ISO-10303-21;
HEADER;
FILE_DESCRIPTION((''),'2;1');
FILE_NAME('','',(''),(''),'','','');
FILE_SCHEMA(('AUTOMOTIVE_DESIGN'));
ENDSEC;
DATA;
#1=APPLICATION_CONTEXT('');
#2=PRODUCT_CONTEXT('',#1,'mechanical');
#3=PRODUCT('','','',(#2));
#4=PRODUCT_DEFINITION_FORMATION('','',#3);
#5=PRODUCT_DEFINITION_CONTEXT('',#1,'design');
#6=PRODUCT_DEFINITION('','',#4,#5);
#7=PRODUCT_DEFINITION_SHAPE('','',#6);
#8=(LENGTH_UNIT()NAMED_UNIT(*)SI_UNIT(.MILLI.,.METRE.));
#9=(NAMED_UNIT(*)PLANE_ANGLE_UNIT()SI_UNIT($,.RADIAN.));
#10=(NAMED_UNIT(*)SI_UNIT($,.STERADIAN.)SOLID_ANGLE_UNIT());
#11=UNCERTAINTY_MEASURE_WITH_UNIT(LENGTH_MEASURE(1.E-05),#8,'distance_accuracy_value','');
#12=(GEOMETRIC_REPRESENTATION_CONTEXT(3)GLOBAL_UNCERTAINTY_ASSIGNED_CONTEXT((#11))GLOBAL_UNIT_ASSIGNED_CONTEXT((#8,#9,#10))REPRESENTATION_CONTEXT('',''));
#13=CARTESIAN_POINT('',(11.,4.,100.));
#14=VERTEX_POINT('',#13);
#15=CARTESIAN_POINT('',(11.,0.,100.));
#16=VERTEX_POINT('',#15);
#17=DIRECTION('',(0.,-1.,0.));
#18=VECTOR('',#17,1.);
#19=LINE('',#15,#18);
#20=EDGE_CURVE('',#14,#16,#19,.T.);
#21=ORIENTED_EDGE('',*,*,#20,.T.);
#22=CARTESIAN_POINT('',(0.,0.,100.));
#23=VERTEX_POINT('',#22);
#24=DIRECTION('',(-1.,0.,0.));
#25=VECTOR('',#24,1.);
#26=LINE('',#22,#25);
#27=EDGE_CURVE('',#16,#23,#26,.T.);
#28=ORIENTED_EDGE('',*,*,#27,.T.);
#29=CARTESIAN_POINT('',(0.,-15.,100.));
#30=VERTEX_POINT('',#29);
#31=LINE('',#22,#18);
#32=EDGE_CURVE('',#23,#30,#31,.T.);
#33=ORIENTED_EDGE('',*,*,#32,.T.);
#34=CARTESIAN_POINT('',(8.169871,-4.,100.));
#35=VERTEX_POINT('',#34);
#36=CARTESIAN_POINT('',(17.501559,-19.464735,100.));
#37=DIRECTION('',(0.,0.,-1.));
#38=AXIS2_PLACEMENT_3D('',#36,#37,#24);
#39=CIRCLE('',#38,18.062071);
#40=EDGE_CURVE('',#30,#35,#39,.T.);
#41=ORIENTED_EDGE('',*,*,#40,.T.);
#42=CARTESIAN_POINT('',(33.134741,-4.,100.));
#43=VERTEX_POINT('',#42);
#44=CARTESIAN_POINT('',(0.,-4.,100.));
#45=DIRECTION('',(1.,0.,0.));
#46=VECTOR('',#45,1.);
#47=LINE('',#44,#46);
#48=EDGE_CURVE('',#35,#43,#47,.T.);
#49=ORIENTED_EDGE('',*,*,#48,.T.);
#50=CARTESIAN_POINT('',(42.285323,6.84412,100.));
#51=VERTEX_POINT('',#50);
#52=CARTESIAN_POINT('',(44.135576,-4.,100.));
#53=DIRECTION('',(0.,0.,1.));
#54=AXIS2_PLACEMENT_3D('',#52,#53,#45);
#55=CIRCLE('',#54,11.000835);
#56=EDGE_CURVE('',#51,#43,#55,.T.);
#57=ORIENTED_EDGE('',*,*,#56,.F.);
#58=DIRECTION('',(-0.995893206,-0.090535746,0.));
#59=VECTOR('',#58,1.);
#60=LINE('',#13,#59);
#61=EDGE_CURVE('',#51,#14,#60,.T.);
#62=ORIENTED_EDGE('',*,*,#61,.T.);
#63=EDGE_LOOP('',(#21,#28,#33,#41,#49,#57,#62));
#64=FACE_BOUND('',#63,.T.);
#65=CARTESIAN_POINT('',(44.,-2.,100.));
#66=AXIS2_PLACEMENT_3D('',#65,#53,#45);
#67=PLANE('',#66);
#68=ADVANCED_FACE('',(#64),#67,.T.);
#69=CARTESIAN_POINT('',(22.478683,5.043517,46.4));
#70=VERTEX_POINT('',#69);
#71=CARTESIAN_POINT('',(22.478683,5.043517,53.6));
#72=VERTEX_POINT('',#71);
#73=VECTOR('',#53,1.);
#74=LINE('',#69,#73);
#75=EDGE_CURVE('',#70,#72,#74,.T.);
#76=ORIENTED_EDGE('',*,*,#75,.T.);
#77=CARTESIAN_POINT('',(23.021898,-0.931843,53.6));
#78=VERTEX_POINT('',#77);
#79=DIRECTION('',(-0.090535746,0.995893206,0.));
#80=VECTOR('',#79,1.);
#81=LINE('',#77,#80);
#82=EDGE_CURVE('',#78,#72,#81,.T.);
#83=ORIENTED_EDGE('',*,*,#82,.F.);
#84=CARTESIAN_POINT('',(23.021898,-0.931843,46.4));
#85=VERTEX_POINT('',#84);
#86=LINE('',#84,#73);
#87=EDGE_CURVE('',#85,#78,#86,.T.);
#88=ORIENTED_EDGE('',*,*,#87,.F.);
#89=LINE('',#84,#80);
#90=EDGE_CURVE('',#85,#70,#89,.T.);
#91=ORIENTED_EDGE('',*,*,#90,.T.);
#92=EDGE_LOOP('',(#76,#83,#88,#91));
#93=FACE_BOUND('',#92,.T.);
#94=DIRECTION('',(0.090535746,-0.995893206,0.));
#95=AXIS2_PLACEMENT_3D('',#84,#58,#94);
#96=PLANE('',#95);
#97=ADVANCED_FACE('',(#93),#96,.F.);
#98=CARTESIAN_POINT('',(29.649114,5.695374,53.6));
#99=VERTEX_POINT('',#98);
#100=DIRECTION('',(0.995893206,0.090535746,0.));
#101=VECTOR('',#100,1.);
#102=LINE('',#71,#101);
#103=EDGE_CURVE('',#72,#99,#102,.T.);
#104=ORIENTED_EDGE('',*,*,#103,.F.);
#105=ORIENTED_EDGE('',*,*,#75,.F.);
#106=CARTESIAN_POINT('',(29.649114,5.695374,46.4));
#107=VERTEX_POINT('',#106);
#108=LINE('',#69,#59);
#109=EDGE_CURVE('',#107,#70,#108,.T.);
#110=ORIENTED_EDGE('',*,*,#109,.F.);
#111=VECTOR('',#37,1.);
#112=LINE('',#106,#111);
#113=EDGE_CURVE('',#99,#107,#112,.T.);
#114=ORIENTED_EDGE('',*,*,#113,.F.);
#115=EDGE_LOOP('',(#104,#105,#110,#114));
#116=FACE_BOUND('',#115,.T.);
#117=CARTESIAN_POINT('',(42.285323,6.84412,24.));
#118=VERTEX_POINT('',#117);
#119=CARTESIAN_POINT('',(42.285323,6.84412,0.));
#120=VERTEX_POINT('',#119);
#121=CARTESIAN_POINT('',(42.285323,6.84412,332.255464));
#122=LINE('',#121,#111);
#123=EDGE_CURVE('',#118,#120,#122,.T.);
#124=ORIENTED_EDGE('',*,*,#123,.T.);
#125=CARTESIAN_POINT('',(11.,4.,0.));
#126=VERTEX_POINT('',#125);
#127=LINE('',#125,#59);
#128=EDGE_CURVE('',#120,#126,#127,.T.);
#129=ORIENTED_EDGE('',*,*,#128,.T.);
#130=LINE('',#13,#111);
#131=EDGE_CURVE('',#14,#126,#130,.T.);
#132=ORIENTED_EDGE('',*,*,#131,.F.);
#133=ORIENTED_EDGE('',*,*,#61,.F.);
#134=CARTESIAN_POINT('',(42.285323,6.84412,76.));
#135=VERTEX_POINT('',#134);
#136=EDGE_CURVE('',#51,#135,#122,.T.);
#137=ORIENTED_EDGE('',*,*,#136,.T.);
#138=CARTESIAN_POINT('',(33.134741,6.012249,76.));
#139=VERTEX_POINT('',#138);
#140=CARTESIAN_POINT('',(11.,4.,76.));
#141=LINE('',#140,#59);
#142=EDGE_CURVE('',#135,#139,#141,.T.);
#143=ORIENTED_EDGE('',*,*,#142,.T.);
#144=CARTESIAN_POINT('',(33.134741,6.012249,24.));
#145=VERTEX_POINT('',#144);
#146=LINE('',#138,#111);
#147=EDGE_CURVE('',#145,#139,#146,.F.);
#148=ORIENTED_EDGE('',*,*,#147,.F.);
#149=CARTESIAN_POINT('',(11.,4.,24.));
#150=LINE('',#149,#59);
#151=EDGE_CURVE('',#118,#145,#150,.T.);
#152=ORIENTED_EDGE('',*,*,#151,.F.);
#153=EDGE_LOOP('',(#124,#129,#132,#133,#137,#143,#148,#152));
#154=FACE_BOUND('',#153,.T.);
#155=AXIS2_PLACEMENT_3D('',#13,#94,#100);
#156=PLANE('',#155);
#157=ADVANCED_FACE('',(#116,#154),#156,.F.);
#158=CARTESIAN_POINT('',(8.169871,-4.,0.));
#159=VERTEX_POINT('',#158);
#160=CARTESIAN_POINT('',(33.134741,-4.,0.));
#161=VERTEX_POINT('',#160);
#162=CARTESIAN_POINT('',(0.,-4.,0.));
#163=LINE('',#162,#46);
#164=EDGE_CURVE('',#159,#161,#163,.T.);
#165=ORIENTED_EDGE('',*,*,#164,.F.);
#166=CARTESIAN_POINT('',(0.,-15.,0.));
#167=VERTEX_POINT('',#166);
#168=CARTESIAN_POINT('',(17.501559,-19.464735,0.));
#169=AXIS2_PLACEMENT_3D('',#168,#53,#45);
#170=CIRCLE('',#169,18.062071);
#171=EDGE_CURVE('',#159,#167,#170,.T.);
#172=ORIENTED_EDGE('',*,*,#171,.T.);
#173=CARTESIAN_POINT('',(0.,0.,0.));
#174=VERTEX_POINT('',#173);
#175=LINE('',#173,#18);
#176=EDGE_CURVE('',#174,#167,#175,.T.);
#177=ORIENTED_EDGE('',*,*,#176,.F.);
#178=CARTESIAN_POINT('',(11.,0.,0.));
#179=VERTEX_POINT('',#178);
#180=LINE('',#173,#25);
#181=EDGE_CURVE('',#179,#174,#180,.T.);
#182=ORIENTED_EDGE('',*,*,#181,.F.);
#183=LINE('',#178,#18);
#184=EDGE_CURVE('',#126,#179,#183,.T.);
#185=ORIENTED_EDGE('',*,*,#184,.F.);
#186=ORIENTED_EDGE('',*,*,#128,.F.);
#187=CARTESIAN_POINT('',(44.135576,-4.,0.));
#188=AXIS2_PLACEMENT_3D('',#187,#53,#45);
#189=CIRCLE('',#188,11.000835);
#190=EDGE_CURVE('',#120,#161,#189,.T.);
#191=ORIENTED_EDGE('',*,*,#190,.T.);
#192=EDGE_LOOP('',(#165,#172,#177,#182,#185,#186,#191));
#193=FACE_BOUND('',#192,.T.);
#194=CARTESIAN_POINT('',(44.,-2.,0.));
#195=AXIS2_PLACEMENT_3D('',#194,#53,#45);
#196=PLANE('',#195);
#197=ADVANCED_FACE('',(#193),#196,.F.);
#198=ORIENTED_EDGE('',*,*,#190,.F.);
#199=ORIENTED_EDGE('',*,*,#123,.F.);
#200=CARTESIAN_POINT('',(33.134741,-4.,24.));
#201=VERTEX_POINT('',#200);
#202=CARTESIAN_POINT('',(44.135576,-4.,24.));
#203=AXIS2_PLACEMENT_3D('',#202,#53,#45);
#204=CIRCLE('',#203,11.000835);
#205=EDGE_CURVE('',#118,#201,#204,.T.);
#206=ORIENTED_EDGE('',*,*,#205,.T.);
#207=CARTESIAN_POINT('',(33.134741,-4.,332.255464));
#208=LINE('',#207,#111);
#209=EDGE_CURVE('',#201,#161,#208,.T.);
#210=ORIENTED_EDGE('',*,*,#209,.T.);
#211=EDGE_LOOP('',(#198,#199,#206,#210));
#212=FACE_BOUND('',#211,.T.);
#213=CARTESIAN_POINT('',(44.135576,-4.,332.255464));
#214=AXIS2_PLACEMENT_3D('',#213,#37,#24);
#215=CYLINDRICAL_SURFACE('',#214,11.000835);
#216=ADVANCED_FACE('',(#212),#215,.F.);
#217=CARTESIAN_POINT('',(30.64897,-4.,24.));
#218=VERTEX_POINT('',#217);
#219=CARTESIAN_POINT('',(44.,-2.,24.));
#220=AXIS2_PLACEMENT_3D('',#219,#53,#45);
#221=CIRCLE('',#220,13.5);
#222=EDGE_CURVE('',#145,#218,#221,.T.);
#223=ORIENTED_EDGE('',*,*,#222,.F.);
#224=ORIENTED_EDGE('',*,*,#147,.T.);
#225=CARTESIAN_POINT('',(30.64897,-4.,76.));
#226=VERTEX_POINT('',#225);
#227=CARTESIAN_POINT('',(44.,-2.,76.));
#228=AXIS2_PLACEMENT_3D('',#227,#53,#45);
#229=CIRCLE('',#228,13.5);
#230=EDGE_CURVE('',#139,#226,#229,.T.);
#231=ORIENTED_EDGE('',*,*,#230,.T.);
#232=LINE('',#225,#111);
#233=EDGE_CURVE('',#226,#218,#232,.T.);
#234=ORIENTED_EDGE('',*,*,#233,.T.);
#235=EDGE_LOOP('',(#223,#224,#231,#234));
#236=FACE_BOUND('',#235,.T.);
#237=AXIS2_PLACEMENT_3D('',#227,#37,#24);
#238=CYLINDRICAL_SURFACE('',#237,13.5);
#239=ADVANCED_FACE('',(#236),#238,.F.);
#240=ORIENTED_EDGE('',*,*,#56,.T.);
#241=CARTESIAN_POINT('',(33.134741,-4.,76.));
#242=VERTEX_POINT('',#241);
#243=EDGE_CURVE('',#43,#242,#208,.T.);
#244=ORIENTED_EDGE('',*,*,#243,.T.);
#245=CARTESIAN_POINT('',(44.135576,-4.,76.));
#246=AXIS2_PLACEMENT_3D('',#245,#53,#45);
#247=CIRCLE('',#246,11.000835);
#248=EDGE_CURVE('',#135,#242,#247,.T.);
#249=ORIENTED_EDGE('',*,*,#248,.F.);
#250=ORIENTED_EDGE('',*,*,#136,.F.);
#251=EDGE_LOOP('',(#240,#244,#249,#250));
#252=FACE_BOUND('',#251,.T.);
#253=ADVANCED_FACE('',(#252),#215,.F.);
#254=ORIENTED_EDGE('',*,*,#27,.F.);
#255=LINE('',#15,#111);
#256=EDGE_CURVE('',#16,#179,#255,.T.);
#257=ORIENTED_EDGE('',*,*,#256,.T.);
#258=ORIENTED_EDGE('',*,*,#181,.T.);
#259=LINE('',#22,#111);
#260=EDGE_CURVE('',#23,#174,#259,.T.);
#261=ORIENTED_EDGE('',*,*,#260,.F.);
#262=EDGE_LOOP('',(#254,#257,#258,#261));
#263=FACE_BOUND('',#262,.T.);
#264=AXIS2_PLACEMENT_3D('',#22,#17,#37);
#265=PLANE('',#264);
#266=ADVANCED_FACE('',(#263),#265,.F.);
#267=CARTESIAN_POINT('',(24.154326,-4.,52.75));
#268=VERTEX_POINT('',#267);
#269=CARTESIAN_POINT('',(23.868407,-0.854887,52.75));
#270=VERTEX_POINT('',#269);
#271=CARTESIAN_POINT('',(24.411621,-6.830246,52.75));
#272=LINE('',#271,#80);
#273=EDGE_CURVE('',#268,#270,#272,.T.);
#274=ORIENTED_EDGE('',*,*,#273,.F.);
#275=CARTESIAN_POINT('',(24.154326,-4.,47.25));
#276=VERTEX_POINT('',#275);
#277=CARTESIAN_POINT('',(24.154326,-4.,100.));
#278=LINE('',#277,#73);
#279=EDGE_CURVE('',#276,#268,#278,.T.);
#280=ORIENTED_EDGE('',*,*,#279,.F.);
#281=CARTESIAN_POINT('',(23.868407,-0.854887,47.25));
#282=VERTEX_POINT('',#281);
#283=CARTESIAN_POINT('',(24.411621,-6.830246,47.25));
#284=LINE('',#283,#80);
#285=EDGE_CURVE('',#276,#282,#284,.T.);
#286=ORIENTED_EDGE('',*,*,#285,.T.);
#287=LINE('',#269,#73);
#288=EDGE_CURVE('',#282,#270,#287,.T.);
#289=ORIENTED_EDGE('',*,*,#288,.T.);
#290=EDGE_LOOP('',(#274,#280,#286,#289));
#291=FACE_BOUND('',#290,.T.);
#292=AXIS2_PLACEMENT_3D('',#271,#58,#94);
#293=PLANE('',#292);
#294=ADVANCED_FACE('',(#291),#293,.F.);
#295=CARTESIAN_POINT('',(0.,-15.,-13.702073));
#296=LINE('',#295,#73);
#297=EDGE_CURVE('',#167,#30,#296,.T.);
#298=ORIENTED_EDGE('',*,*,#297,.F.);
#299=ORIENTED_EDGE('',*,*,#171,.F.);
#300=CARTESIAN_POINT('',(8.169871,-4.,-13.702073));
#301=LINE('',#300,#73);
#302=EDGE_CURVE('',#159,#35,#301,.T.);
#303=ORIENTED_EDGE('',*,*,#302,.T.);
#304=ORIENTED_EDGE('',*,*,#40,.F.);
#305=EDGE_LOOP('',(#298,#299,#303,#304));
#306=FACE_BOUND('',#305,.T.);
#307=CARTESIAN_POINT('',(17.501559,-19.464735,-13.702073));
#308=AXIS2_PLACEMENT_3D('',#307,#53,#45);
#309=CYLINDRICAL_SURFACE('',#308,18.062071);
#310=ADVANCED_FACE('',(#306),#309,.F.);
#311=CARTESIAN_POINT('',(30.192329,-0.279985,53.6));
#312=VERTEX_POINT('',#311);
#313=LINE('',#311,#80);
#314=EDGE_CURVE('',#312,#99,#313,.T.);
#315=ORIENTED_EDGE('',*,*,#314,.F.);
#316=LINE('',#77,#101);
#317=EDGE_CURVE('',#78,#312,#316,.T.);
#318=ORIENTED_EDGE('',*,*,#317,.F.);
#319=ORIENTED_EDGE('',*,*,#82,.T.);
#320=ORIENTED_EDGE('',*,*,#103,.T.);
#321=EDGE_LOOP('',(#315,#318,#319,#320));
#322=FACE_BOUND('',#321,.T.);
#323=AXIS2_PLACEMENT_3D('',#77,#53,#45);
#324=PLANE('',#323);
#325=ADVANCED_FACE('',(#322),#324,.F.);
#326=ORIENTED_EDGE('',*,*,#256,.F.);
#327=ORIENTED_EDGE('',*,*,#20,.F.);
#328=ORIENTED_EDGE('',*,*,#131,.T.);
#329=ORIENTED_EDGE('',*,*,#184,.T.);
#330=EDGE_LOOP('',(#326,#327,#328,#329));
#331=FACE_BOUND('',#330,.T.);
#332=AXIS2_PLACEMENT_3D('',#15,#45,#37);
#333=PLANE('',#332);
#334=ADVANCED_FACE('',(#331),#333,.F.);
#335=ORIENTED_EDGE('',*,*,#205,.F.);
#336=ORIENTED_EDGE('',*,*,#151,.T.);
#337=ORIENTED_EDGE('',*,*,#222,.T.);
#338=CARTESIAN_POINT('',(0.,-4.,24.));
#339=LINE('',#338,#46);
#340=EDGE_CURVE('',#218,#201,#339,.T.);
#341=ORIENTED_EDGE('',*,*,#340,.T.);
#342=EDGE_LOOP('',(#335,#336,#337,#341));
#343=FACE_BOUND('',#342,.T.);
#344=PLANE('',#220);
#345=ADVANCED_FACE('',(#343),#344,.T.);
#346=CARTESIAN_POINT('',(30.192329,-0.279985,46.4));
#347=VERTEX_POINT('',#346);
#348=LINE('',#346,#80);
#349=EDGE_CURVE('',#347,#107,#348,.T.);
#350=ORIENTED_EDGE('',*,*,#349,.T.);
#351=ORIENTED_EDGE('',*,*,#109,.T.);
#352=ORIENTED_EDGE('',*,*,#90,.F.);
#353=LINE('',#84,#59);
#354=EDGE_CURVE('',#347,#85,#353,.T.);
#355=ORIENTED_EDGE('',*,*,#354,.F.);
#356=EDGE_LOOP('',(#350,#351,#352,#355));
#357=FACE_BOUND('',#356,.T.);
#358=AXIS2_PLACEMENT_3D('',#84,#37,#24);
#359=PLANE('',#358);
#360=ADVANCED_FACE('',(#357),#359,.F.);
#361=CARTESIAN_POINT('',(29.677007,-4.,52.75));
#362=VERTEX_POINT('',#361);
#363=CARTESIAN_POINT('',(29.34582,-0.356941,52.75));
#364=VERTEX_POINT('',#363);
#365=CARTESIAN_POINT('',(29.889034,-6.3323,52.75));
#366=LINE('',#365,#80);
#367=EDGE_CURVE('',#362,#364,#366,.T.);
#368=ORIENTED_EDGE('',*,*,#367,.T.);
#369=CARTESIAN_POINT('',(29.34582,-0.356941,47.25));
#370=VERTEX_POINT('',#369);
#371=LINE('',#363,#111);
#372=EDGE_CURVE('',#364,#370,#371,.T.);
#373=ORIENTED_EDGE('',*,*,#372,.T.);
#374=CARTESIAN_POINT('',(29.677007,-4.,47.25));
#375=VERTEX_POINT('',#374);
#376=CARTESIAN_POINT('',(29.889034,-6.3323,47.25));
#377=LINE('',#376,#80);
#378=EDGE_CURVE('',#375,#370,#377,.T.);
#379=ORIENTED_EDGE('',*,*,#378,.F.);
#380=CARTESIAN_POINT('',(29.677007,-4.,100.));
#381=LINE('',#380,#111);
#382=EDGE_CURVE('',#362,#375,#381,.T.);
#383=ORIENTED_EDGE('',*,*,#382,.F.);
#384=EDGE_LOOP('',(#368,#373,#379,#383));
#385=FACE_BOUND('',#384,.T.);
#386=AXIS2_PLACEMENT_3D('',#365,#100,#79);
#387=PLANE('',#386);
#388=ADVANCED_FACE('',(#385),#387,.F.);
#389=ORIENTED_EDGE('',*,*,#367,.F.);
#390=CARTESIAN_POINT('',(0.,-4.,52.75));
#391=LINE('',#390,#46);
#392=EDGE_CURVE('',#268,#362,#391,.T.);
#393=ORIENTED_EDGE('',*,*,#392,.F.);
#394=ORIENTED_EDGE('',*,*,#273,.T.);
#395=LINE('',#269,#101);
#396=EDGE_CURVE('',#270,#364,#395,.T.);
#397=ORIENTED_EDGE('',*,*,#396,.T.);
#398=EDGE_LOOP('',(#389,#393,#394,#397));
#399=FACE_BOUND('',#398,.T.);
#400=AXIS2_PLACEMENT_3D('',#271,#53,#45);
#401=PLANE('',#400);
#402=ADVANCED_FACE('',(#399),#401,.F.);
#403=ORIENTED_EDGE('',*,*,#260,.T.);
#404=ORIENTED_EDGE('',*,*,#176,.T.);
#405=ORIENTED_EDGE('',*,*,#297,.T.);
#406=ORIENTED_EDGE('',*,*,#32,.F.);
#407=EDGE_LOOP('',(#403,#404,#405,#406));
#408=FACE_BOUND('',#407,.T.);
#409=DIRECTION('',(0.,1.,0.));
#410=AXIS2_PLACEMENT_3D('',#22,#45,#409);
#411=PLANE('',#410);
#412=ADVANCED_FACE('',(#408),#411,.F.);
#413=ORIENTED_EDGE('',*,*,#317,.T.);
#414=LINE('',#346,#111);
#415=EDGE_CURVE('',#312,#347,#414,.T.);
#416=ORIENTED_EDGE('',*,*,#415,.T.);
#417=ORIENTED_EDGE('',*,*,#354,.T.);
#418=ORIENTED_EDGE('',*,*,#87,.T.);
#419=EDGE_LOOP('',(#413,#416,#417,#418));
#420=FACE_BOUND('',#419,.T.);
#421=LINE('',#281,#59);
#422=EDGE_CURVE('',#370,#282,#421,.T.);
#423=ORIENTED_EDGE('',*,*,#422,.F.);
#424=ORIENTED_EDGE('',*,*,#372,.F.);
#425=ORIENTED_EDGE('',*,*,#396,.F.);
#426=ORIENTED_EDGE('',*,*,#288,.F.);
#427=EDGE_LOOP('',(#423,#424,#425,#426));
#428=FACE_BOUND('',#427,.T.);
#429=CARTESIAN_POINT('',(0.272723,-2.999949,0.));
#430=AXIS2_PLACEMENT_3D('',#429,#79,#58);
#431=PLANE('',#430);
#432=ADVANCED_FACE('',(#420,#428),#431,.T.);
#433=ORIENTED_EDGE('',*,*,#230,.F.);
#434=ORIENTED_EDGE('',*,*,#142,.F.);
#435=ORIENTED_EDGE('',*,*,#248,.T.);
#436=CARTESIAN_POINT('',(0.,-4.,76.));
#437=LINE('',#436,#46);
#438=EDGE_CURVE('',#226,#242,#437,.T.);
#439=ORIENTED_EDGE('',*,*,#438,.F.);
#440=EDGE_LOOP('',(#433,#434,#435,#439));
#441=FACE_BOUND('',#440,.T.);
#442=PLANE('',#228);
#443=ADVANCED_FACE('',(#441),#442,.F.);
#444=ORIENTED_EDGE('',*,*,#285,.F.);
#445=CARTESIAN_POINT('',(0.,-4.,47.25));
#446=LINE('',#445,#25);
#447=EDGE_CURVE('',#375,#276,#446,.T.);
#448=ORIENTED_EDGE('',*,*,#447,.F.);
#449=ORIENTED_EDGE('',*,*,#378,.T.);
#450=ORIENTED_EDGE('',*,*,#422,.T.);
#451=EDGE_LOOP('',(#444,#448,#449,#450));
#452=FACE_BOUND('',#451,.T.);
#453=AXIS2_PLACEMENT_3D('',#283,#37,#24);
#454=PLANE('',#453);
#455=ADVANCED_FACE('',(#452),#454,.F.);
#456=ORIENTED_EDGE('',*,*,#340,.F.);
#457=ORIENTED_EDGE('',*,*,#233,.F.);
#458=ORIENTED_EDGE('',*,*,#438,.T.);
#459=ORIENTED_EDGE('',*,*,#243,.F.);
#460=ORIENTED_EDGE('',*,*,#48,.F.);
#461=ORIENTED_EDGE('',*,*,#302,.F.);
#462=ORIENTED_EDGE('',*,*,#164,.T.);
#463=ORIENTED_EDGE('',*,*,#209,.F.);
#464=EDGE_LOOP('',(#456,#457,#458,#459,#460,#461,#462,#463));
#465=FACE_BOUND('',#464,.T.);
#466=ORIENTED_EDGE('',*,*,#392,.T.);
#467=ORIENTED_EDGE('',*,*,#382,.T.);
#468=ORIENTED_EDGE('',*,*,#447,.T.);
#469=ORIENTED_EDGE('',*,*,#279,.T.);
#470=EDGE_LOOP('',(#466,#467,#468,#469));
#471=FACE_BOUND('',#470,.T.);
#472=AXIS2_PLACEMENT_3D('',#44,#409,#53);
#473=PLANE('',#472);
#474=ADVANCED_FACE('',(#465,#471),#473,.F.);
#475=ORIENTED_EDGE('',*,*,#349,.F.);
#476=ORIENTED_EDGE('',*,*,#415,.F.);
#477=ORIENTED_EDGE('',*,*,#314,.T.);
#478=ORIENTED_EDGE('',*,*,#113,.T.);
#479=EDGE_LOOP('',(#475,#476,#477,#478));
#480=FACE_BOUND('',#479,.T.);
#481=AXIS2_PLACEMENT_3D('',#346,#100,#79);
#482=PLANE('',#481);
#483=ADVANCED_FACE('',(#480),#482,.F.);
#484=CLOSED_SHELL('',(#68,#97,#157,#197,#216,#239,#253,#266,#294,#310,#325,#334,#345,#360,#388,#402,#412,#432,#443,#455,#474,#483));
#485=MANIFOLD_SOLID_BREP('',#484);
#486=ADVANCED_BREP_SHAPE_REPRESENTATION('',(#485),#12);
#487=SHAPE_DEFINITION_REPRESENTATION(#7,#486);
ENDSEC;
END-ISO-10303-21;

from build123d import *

# Parameters (mm, degrees)
SALIENTE_EXTRUIR1_DEPTH     = 100
CORTAR_EXTRUIR2_DEPTH       = 26
CORTAR_EXTRUIR2_DEPTH_BACK  = 26
CROQUIS3_R                  = 13.5
CROQUIS11_W                 = 7.2
CROQUIS11_H                 = 7.2
CORTAR_EXTRUIR6_DEPTH       = 6
CROQUIS12_W                 = 5.5
CROQUIS12_H                 = 5.5
CORTAR_EXTRUIR7_DEPTH       = 6
CORTAR_EXTRUIR11_DEPTH      = 110.476024773
CORTAR_EXTRUIR11_DEPTH_BACK = 110.476024773
SALIENTE_EXTRUIR2_DEPTH     = 100


with BuildPart() as part:
    # Croquis1 → Saliente-Extruir1 (new body)
    with BuildSketch(Plane.XY):
        with BuildLine():
            Line((0, 0), (11, 0))
            Line((11, 0), (11, 4))
            Line((11, 4), (44, 7))
            Line((44, 7), (44, 4))
            ThreePointArc((44, 4), (39.101020514, 1.464101615), (38.343145751, -4))
            Line((38.343145751, -4), (0, -4))
            Line((0, -4), (0, 0))
        make_face()
    extrude(amount=SALIENTE_EXTRUIR1_DEPTH)

    # Croquis3 → Cortar-Extruir2 (cut, two sides: drawn at the far end of the back side and taken through both)
    with BuildSketch(Plane.XY.offset(50).offset(-CORTAR_EXTRUIR2_DEPTH_BACK)):
        with Locations((44, -2)):
            Circle(CROQUIS3_R)
    extrude(amount=CORTAR_EXTRUIR2_DEPTH + CORTAR_EXTRUIR2_DEPTH_BACK, mode=Mode.SUBTRACT)

    # Croquis11 → Cortar-Extruir6 (cut)
    with BuildSketch(Plane(origin=(-0.270491803, 2.975409836, 0), x_dir=(0.995893206467704, 0.09053574604251857, 0), z_dir=(-0.09053574604251857, 0.995893206467704, 0))):
        with Locations((26.442986434, -50)):
            Rectangle(CROQUIS11_W, CROQUIS11_H)
    extrude(amount=-CORTAR_EXTRUIR6_DEPTH, mode=Mode.SUBTRACT)

    # Croquis12 → Cortar-Extruir7 (cut)
    with BuildSketch(Plane(origin=(0.272722673, -2.999949403, 0), x_dir=(0.995893206467704, 0.09053574604251854, 0), z_dir=(-0.09053574604251854, 0.995893206467704, 0))):
        with Locations((26.442986434, -50)):
            Rectangle(CROQUIS12_W, CROQUIS12_H)
    extrude(amount=-CORTAR_EXTRUIR7_DEPTH, mode=Mode.SUBTRACT)

    # Croquis14 → Cortar-Extruir11 (cut, two sides: drawn at the far end of the back side and taken through both)
    with BuildSketch(Plane.XY.offset(100).offset(-CORTAR_EXTRUIR11_DEPTH_BACK)):
        with BuildLine():
            Line((33.134740511, -104.708323764), (33.134740511, -4))
            ThreePointArc((33.134740511, -4), (36.309024056, 3.730683407), (44, 7))
            Line((44, 7), (144.700675445, 8.241144726))
            Line((144.700675445, 8.241144726), (287.998687156, -133.301589954))
            Line((287.998687156, -133.301589954), (176.432752222, -246.251058444))
            Line((176.432752222, -246.251058444), (33.134740511, -104.708323764))
        make_face()
    extrude(amount=CORTAR_EXTRUIR11_DEPTH + CORTAR_EXTRUIR11_DEPTH_BACK, mode=Mode.SUBTRACT)

    # Croquis15 → Saliente-Extruir2 (add)
    with BuildSketch(Plane.XY.offset(100)):
        with BuildLine():
            Line((0, -4), (0, -15))
            ThreePointArc((0, -15), (3.001359468, -8.695211228), (8.169871019, -4))
            Line((8.169871019, -4), (0, -4))
        make_face()
    extrude(amount=-SALIENTE_EXTRUIR2_DEPTH)


solid = part.part
